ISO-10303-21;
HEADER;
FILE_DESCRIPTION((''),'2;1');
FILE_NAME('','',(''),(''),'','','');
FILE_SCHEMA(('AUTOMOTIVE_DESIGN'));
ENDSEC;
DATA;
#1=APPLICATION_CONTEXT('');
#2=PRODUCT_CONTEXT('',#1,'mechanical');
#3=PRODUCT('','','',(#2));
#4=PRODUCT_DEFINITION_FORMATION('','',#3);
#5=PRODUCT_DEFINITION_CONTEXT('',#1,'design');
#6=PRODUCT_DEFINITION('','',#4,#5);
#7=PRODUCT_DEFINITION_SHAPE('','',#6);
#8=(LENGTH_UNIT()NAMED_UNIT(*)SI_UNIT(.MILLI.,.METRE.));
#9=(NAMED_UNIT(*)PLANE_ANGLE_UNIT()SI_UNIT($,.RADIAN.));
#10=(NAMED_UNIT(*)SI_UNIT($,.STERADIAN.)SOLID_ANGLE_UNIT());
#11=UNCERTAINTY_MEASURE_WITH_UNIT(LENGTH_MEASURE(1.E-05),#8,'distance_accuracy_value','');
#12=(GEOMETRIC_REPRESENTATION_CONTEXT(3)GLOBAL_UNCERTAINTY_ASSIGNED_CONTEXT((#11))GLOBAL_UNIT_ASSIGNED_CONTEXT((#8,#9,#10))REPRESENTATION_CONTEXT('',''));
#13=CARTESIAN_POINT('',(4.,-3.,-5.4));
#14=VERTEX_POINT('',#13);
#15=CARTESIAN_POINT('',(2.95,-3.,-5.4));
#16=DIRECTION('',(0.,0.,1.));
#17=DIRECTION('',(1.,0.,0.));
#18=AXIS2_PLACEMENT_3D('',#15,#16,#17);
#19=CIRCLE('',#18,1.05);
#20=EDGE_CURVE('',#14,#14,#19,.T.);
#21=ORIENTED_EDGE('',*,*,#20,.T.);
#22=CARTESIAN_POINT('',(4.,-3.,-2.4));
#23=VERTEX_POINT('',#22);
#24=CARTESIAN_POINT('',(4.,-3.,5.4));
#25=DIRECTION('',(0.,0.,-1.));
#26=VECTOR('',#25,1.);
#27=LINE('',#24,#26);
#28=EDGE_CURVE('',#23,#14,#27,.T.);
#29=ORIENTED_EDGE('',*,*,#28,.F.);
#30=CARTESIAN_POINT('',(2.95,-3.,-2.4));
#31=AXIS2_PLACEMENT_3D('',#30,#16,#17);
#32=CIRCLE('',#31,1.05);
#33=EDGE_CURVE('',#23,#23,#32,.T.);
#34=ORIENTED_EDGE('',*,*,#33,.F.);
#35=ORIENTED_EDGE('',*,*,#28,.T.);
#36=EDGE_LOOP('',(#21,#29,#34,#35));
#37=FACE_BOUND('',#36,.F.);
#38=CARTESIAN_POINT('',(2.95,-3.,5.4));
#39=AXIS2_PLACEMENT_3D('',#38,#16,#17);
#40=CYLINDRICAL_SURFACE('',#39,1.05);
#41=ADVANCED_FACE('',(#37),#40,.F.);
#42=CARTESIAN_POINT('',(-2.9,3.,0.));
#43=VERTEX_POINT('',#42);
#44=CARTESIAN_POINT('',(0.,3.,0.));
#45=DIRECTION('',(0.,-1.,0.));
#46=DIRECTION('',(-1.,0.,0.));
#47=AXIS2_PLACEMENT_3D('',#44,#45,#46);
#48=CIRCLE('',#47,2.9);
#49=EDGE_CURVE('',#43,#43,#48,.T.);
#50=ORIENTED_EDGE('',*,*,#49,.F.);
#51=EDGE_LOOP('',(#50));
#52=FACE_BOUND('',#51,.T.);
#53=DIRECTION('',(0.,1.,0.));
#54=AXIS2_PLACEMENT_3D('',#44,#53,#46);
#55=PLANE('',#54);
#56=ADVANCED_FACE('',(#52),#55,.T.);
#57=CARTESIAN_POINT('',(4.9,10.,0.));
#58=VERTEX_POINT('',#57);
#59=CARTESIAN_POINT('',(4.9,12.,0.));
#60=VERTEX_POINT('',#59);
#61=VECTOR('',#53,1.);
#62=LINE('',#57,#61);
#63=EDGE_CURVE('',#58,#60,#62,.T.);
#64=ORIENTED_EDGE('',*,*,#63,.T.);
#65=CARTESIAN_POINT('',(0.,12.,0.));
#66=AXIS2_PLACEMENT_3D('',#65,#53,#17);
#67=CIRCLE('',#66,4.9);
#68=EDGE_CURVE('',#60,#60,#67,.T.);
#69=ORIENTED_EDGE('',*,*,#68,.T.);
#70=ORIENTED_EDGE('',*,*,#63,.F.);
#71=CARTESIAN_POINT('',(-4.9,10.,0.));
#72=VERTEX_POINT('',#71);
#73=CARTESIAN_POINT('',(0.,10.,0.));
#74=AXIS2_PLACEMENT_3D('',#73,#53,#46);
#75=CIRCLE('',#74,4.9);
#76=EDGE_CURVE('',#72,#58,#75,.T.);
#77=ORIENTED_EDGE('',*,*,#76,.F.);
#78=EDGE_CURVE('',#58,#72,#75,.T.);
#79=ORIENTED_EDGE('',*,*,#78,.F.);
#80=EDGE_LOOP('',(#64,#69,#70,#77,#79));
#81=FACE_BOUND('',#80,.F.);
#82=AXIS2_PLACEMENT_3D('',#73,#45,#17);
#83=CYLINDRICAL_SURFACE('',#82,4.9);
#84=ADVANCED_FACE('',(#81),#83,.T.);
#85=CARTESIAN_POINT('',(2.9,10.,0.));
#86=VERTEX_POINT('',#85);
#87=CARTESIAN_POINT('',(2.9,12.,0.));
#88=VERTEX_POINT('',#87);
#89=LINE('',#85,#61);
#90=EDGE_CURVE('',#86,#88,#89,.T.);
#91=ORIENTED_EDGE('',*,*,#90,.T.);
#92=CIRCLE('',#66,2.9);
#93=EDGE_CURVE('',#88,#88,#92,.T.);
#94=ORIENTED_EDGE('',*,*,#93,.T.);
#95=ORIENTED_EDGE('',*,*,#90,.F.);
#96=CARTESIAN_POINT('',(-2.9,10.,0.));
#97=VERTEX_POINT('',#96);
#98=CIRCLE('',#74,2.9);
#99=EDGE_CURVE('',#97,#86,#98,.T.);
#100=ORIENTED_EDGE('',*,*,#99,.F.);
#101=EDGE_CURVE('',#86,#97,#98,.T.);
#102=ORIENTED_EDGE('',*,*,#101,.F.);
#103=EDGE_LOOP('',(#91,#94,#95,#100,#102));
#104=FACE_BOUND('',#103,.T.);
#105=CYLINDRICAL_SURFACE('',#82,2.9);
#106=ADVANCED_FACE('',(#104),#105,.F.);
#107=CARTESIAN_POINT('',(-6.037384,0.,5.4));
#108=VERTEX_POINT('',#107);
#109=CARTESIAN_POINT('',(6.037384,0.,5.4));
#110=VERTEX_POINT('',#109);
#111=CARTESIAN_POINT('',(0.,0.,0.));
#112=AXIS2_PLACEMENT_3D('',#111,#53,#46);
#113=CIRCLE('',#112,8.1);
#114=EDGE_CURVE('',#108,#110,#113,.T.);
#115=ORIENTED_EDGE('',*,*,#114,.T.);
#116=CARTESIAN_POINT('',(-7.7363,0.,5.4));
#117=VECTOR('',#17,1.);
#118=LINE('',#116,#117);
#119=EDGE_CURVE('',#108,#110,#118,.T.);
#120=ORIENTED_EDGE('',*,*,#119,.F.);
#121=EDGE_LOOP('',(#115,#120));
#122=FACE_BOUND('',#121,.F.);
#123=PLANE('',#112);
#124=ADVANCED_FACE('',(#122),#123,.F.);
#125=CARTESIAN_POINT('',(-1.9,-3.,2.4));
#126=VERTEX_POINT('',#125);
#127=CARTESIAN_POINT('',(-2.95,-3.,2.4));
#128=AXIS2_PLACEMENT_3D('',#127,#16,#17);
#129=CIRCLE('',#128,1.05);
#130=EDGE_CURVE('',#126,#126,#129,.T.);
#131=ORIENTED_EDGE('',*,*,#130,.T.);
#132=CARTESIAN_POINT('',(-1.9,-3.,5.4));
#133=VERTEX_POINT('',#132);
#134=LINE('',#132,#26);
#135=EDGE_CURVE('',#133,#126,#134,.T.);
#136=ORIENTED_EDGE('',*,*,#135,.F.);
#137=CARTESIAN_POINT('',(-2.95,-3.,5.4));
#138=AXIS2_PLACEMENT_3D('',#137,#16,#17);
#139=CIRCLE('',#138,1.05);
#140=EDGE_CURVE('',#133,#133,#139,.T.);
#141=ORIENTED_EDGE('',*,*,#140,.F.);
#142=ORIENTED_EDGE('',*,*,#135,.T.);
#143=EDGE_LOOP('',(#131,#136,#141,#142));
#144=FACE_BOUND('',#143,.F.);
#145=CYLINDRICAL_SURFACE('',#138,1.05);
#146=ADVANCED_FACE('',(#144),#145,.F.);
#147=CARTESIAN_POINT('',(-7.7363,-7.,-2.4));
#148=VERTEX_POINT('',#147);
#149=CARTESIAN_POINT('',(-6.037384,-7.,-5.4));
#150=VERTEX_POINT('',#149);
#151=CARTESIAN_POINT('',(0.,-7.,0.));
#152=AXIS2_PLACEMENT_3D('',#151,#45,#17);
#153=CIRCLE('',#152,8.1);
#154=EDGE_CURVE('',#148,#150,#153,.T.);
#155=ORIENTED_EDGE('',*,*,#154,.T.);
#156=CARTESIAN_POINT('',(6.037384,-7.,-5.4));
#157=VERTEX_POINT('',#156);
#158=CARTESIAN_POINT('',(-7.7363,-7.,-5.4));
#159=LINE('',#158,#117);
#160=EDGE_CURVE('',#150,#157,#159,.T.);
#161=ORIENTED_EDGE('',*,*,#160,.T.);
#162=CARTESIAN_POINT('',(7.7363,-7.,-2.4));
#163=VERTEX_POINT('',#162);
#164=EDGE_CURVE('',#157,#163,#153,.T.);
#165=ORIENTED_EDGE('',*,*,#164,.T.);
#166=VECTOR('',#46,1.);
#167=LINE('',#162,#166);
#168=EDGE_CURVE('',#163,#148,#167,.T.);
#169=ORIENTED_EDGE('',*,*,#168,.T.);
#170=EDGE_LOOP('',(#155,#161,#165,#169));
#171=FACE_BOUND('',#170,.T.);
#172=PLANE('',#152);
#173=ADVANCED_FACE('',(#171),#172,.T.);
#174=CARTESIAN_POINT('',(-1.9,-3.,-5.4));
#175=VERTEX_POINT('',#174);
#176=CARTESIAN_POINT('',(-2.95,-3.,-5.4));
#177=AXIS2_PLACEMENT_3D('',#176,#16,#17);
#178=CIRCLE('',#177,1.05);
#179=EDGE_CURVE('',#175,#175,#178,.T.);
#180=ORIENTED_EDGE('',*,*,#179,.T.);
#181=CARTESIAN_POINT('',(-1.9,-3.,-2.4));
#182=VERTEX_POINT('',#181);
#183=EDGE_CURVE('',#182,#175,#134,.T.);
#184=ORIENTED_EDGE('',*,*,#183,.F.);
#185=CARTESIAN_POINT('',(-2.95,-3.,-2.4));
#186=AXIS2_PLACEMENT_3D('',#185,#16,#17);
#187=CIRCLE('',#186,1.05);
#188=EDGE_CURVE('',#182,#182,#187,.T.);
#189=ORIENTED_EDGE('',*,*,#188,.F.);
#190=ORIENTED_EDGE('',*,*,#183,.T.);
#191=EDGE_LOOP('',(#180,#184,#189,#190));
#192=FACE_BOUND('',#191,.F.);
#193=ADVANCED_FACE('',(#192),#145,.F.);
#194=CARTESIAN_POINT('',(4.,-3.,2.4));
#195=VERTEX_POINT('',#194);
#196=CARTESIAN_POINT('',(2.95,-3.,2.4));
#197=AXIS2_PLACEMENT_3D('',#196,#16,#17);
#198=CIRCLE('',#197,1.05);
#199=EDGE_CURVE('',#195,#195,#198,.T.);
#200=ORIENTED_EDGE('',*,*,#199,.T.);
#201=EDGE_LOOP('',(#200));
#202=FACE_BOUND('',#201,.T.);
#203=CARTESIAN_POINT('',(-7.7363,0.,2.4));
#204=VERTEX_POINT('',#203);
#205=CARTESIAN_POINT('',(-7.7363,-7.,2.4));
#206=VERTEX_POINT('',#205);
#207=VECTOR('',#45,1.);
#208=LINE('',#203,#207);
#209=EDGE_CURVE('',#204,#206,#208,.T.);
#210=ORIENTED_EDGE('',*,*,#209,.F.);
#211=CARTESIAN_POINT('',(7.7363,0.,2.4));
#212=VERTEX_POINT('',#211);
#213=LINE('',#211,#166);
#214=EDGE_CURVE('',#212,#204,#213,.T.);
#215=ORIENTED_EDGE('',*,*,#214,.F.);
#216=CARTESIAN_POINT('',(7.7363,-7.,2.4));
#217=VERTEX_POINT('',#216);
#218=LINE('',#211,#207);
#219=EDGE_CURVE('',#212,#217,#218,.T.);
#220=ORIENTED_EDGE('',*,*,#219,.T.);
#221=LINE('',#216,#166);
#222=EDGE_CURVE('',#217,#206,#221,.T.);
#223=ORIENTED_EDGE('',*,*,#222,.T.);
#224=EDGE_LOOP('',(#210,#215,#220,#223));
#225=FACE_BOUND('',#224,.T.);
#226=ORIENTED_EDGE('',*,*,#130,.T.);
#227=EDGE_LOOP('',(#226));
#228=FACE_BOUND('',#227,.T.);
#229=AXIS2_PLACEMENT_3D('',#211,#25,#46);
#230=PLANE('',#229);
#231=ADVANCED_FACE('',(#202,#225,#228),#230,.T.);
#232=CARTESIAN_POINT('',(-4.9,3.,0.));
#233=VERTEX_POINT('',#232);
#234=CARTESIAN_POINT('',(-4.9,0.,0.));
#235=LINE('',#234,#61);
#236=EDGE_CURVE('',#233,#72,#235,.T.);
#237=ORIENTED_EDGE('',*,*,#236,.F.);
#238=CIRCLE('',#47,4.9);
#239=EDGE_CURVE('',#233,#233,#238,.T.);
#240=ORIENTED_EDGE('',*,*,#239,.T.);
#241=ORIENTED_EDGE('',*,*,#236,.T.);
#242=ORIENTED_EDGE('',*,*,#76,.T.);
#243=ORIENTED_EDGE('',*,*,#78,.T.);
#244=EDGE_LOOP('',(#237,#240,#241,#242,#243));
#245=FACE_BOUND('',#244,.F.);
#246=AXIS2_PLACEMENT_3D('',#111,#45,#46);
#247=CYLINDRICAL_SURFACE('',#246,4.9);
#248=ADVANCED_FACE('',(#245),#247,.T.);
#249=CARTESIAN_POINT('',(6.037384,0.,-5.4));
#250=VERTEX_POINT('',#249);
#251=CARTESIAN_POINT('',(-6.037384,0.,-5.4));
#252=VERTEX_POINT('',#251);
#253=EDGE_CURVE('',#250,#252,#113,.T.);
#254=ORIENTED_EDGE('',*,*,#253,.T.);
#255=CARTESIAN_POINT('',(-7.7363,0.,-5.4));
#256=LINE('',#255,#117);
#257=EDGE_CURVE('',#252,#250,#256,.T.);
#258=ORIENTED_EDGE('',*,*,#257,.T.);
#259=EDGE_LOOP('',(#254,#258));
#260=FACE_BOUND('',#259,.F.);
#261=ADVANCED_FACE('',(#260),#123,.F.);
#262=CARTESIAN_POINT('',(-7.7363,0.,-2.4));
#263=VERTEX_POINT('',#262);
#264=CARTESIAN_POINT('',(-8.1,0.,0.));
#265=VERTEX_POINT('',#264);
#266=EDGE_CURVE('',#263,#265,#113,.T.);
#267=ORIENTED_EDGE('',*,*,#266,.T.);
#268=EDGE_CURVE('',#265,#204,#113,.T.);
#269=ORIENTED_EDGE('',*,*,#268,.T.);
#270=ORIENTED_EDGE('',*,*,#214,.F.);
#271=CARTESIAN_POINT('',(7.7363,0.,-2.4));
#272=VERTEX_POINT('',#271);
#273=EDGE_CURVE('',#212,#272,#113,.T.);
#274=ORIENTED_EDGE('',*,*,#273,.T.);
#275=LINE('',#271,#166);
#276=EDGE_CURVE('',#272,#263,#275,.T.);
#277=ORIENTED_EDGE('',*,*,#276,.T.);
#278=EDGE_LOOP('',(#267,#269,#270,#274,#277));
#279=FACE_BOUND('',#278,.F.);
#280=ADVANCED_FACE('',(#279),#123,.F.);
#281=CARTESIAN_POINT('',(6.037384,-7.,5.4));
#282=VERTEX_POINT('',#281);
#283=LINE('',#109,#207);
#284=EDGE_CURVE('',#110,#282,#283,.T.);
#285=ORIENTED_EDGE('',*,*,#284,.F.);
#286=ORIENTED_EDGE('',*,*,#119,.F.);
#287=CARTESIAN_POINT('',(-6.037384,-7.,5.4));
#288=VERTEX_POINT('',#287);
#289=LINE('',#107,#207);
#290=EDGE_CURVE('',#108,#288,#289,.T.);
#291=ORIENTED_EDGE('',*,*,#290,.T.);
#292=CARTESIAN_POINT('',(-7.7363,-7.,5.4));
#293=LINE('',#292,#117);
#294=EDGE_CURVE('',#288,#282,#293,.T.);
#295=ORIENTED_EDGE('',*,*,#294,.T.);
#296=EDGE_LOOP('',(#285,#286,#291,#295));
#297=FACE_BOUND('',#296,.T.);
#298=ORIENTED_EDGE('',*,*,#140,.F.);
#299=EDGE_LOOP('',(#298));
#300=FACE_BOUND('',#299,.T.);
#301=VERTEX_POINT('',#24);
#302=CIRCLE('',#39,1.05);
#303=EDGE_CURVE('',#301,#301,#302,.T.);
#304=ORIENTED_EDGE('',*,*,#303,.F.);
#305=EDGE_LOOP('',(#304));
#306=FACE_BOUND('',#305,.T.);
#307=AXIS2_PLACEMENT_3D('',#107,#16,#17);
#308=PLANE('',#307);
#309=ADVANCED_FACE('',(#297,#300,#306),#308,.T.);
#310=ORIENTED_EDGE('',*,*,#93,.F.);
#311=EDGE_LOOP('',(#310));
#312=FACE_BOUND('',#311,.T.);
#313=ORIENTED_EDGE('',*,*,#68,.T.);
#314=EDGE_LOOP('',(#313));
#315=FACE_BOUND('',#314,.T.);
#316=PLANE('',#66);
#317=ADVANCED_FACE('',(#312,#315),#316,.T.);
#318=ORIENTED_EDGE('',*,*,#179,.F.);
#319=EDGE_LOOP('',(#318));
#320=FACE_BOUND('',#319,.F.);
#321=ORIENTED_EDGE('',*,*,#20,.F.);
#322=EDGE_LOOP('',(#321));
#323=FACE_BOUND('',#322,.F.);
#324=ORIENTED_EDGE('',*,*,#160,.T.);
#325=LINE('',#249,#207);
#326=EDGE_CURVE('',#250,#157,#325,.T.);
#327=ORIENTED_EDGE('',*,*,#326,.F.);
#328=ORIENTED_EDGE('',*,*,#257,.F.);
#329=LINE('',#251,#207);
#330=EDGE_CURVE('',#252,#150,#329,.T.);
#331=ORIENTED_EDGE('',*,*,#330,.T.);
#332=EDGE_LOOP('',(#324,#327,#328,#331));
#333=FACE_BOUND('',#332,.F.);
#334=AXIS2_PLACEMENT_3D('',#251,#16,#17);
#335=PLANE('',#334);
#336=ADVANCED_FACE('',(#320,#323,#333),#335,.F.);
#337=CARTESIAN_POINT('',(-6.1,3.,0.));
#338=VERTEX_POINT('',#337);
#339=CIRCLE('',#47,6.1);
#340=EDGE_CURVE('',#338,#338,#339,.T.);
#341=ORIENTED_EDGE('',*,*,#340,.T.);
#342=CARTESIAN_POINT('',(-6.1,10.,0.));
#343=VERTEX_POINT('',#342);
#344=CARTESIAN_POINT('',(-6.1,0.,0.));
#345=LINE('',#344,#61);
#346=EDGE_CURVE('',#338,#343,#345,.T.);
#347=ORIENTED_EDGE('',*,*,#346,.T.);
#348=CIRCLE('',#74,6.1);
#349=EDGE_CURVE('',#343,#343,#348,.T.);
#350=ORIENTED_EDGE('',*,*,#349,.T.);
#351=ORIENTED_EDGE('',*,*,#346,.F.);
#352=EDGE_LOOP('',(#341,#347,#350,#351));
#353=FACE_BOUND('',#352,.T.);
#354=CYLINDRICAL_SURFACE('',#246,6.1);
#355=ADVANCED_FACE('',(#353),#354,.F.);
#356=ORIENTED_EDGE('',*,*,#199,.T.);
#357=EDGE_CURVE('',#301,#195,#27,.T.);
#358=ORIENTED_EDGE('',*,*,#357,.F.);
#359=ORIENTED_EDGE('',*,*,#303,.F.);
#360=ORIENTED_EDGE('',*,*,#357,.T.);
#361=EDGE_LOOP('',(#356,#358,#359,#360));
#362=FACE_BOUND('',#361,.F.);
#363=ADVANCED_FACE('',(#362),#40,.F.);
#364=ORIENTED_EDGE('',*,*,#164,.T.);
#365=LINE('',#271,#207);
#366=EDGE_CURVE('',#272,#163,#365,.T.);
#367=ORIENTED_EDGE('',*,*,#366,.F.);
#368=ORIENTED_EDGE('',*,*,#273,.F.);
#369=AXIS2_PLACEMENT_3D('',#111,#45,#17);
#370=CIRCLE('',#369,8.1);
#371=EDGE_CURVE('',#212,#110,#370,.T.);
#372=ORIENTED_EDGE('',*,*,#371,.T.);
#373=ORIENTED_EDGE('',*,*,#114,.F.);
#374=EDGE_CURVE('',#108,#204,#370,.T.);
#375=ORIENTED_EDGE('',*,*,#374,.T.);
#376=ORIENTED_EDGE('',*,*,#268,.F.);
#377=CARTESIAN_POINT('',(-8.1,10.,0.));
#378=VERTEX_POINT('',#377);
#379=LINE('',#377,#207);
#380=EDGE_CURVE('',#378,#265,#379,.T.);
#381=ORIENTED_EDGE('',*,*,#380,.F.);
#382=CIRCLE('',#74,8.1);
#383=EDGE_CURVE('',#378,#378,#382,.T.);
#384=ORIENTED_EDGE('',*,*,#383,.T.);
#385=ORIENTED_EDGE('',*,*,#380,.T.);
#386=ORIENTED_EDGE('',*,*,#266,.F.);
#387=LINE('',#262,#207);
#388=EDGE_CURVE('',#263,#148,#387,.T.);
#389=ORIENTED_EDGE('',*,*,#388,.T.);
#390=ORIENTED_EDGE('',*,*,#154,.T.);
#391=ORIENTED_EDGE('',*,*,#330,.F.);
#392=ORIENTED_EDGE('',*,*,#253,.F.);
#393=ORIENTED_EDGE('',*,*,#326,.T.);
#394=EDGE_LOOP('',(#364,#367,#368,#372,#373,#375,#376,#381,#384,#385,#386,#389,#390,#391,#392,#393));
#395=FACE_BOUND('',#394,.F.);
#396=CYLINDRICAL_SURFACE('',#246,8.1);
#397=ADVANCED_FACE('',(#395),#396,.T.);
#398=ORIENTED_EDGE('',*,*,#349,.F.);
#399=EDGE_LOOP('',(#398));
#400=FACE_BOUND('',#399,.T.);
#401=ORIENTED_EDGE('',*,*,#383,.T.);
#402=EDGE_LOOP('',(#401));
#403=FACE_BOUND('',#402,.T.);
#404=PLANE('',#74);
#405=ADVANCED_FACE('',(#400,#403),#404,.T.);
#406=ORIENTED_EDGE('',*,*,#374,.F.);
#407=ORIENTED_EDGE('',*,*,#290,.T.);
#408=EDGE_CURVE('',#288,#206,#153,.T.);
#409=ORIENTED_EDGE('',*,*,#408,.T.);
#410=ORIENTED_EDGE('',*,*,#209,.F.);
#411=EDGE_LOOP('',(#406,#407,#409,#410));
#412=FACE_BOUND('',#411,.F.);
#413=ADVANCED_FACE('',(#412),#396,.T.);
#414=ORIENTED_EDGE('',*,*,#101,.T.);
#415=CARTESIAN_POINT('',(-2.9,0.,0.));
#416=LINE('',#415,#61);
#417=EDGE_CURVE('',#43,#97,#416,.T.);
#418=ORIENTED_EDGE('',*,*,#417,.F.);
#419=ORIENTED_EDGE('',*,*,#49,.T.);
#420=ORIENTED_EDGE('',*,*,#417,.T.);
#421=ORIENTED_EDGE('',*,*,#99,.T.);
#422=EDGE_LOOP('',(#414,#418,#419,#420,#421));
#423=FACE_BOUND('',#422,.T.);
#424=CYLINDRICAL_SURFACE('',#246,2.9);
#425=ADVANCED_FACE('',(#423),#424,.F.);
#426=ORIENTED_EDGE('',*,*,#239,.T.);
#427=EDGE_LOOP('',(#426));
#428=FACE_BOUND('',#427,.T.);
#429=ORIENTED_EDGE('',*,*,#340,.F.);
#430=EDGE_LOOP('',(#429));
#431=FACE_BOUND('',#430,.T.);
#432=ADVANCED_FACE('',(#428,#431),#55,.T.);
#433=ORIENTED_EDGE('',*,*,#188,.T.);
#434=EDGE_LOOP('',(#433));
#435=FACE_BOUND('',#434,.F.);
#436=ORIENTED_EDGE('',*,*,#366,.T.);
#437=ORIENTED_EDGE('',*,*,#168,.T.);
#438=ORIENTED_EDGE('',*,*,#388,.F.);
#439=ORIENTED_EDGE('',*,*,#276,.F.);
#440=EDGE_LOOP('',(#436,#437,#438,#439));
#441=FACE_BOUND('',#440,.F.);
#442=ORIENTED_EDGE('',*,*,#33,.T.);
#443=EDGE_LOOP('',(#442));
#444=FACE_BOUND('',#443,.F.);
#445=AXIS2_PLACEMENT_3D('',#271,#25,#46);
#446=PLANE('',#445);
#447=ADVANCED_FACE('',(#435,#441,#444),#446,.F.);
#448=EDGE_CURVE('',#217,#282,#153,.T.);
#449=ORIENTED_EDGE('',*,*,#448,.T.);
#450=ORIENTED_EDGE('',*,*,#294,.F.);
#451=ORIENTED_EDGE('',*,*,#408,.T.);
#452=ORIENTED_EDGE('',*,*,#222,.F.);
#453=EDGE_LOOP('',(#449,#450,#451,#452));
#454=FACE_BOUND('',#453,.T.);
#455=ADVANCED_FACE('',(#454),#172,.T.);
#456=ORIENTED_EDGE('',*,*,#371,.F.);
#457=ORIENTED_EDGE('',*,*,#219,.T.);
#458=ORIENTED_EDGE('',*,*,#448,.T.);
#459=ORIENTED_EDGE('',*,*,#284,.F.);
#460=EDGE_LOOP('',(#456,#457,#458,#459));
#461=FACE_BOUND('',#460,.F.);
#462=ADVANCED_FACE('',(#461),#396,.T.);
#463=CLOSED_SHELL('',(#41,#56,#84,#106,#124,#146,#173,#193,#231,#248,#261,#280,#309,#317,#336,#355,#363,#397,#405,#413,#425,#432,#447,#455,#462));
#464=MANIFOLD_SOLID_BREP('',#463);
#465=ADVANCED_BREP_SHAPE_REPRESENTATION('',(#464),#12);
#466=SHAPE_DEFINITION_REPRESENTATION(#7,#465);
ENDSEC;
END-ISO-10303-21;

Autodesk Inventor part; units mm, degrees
ref_plane "XZ Plane" through (0, 0, 0) normal (0, 1, 0) x (-1, 0, 0)
sketch "Sketch1" plane through (0, 0, 0) normal (0, 1, 0) x (-1, 0, 0)
  circle A0 centre (0, 0) radius 6.1
  circle A1 centre (0, 0) radius 4.9
  circle A2 centre (0, 0) radius 8.1
  circle A3 centre (0, 0) radius 2.9
  dimension "d0" = 12.2
  dimension "d1" = 9.8
  dimension "d2" = 2
  dimension "d5" = 2
extrude "Extrusion1" add sketch "Sketch1" along normal blind 3 contours A0 | A1 | A2 | A3
extrude "Extrusion2" add sketch "Sketch1" along normal blind 10
sketch "Sketch7" plane through (0, 0, 0) normal (0, -1, 0) x (1, 0, 0)
  circle A0 centre (0, 0) radius 8.1 projected
  line L0 (7.7363, -2.4) -> (-7.7363, -2.4)
  line L1 (-7.7363, -2.4) -> (-7.7363, -5.4)
  line L2 (-7.7363, -5.4) -> (7.7363, -5.4)
  line L3 (7.7363, -5.4) -> (7.7363, -2.4)
  line L4 (7.7363, 2.4) -> (-7.7363, 2.4)
  line L5 (-7.7363, 2.4) -> (-7.7363, 5.4)
  line L6 (-7.7363, 5.4) -> (7.7363, 5.4)
  line L7 (7.7363, 5.4) -> (7.7363, 2.4)
  point P0 (6.0374, 5.4)
  point P1 (-6.0374, 5.4)
  point P2 (-6.0374, -5.4)
  point P3 (6.0374, -5.4)
  dimension "d34" = 3
  dimension "d35" = 3
  dimension "d36" = 4.8
  dimension "d37" = 2.4
extrude "Extrusion7" add sketch "Sketch7" along normal blind 7 contours L4 A0 L6 | A0 L2 L0
sketch "Sketch8" plane through (-6.0374, 0, 5.4) normal (0, 0, 1) x (1, 0, 0)
  circle A0 centre (3.0874, -3) radius 1.05
  circle A1 centre (8.9874, -3) radius 1.05
  line L0 (12.0748, 0) -> (0, 0) projected
  point P0 (6.0374, 0)
  dimension "d40" = 2.1
  dimension "d41" = 2.1
  dimension "d42" = 3
  dimension "d43" = 3
  dimension "d44" = 5.9
  dimension "d45" = 2.95
extrude "Extrusion8" cut sketch "Sketch8" against normal blind 20
sketch "Sketch9" plane through (0, 10, 0) normal (0, 1, 0) x (1, 0, 0)
  circle A0 centre (0, 0) radius 6.1 projected
  circle A1 centre (0, 0) radius 2.9 projected
  circle A2 centre (0, 0) radius 4.9 projected
  circle A3 centre (0, 0) radius 8.1 projected
extrude "Extrusion9" add sketch "Sketch9" along normal blind 2 contours A2
equation "\"d37\" = 0.5 * d36"
equation "\"d45\" = 0.5 * d44"
properties part number "Feather_0_clip"
